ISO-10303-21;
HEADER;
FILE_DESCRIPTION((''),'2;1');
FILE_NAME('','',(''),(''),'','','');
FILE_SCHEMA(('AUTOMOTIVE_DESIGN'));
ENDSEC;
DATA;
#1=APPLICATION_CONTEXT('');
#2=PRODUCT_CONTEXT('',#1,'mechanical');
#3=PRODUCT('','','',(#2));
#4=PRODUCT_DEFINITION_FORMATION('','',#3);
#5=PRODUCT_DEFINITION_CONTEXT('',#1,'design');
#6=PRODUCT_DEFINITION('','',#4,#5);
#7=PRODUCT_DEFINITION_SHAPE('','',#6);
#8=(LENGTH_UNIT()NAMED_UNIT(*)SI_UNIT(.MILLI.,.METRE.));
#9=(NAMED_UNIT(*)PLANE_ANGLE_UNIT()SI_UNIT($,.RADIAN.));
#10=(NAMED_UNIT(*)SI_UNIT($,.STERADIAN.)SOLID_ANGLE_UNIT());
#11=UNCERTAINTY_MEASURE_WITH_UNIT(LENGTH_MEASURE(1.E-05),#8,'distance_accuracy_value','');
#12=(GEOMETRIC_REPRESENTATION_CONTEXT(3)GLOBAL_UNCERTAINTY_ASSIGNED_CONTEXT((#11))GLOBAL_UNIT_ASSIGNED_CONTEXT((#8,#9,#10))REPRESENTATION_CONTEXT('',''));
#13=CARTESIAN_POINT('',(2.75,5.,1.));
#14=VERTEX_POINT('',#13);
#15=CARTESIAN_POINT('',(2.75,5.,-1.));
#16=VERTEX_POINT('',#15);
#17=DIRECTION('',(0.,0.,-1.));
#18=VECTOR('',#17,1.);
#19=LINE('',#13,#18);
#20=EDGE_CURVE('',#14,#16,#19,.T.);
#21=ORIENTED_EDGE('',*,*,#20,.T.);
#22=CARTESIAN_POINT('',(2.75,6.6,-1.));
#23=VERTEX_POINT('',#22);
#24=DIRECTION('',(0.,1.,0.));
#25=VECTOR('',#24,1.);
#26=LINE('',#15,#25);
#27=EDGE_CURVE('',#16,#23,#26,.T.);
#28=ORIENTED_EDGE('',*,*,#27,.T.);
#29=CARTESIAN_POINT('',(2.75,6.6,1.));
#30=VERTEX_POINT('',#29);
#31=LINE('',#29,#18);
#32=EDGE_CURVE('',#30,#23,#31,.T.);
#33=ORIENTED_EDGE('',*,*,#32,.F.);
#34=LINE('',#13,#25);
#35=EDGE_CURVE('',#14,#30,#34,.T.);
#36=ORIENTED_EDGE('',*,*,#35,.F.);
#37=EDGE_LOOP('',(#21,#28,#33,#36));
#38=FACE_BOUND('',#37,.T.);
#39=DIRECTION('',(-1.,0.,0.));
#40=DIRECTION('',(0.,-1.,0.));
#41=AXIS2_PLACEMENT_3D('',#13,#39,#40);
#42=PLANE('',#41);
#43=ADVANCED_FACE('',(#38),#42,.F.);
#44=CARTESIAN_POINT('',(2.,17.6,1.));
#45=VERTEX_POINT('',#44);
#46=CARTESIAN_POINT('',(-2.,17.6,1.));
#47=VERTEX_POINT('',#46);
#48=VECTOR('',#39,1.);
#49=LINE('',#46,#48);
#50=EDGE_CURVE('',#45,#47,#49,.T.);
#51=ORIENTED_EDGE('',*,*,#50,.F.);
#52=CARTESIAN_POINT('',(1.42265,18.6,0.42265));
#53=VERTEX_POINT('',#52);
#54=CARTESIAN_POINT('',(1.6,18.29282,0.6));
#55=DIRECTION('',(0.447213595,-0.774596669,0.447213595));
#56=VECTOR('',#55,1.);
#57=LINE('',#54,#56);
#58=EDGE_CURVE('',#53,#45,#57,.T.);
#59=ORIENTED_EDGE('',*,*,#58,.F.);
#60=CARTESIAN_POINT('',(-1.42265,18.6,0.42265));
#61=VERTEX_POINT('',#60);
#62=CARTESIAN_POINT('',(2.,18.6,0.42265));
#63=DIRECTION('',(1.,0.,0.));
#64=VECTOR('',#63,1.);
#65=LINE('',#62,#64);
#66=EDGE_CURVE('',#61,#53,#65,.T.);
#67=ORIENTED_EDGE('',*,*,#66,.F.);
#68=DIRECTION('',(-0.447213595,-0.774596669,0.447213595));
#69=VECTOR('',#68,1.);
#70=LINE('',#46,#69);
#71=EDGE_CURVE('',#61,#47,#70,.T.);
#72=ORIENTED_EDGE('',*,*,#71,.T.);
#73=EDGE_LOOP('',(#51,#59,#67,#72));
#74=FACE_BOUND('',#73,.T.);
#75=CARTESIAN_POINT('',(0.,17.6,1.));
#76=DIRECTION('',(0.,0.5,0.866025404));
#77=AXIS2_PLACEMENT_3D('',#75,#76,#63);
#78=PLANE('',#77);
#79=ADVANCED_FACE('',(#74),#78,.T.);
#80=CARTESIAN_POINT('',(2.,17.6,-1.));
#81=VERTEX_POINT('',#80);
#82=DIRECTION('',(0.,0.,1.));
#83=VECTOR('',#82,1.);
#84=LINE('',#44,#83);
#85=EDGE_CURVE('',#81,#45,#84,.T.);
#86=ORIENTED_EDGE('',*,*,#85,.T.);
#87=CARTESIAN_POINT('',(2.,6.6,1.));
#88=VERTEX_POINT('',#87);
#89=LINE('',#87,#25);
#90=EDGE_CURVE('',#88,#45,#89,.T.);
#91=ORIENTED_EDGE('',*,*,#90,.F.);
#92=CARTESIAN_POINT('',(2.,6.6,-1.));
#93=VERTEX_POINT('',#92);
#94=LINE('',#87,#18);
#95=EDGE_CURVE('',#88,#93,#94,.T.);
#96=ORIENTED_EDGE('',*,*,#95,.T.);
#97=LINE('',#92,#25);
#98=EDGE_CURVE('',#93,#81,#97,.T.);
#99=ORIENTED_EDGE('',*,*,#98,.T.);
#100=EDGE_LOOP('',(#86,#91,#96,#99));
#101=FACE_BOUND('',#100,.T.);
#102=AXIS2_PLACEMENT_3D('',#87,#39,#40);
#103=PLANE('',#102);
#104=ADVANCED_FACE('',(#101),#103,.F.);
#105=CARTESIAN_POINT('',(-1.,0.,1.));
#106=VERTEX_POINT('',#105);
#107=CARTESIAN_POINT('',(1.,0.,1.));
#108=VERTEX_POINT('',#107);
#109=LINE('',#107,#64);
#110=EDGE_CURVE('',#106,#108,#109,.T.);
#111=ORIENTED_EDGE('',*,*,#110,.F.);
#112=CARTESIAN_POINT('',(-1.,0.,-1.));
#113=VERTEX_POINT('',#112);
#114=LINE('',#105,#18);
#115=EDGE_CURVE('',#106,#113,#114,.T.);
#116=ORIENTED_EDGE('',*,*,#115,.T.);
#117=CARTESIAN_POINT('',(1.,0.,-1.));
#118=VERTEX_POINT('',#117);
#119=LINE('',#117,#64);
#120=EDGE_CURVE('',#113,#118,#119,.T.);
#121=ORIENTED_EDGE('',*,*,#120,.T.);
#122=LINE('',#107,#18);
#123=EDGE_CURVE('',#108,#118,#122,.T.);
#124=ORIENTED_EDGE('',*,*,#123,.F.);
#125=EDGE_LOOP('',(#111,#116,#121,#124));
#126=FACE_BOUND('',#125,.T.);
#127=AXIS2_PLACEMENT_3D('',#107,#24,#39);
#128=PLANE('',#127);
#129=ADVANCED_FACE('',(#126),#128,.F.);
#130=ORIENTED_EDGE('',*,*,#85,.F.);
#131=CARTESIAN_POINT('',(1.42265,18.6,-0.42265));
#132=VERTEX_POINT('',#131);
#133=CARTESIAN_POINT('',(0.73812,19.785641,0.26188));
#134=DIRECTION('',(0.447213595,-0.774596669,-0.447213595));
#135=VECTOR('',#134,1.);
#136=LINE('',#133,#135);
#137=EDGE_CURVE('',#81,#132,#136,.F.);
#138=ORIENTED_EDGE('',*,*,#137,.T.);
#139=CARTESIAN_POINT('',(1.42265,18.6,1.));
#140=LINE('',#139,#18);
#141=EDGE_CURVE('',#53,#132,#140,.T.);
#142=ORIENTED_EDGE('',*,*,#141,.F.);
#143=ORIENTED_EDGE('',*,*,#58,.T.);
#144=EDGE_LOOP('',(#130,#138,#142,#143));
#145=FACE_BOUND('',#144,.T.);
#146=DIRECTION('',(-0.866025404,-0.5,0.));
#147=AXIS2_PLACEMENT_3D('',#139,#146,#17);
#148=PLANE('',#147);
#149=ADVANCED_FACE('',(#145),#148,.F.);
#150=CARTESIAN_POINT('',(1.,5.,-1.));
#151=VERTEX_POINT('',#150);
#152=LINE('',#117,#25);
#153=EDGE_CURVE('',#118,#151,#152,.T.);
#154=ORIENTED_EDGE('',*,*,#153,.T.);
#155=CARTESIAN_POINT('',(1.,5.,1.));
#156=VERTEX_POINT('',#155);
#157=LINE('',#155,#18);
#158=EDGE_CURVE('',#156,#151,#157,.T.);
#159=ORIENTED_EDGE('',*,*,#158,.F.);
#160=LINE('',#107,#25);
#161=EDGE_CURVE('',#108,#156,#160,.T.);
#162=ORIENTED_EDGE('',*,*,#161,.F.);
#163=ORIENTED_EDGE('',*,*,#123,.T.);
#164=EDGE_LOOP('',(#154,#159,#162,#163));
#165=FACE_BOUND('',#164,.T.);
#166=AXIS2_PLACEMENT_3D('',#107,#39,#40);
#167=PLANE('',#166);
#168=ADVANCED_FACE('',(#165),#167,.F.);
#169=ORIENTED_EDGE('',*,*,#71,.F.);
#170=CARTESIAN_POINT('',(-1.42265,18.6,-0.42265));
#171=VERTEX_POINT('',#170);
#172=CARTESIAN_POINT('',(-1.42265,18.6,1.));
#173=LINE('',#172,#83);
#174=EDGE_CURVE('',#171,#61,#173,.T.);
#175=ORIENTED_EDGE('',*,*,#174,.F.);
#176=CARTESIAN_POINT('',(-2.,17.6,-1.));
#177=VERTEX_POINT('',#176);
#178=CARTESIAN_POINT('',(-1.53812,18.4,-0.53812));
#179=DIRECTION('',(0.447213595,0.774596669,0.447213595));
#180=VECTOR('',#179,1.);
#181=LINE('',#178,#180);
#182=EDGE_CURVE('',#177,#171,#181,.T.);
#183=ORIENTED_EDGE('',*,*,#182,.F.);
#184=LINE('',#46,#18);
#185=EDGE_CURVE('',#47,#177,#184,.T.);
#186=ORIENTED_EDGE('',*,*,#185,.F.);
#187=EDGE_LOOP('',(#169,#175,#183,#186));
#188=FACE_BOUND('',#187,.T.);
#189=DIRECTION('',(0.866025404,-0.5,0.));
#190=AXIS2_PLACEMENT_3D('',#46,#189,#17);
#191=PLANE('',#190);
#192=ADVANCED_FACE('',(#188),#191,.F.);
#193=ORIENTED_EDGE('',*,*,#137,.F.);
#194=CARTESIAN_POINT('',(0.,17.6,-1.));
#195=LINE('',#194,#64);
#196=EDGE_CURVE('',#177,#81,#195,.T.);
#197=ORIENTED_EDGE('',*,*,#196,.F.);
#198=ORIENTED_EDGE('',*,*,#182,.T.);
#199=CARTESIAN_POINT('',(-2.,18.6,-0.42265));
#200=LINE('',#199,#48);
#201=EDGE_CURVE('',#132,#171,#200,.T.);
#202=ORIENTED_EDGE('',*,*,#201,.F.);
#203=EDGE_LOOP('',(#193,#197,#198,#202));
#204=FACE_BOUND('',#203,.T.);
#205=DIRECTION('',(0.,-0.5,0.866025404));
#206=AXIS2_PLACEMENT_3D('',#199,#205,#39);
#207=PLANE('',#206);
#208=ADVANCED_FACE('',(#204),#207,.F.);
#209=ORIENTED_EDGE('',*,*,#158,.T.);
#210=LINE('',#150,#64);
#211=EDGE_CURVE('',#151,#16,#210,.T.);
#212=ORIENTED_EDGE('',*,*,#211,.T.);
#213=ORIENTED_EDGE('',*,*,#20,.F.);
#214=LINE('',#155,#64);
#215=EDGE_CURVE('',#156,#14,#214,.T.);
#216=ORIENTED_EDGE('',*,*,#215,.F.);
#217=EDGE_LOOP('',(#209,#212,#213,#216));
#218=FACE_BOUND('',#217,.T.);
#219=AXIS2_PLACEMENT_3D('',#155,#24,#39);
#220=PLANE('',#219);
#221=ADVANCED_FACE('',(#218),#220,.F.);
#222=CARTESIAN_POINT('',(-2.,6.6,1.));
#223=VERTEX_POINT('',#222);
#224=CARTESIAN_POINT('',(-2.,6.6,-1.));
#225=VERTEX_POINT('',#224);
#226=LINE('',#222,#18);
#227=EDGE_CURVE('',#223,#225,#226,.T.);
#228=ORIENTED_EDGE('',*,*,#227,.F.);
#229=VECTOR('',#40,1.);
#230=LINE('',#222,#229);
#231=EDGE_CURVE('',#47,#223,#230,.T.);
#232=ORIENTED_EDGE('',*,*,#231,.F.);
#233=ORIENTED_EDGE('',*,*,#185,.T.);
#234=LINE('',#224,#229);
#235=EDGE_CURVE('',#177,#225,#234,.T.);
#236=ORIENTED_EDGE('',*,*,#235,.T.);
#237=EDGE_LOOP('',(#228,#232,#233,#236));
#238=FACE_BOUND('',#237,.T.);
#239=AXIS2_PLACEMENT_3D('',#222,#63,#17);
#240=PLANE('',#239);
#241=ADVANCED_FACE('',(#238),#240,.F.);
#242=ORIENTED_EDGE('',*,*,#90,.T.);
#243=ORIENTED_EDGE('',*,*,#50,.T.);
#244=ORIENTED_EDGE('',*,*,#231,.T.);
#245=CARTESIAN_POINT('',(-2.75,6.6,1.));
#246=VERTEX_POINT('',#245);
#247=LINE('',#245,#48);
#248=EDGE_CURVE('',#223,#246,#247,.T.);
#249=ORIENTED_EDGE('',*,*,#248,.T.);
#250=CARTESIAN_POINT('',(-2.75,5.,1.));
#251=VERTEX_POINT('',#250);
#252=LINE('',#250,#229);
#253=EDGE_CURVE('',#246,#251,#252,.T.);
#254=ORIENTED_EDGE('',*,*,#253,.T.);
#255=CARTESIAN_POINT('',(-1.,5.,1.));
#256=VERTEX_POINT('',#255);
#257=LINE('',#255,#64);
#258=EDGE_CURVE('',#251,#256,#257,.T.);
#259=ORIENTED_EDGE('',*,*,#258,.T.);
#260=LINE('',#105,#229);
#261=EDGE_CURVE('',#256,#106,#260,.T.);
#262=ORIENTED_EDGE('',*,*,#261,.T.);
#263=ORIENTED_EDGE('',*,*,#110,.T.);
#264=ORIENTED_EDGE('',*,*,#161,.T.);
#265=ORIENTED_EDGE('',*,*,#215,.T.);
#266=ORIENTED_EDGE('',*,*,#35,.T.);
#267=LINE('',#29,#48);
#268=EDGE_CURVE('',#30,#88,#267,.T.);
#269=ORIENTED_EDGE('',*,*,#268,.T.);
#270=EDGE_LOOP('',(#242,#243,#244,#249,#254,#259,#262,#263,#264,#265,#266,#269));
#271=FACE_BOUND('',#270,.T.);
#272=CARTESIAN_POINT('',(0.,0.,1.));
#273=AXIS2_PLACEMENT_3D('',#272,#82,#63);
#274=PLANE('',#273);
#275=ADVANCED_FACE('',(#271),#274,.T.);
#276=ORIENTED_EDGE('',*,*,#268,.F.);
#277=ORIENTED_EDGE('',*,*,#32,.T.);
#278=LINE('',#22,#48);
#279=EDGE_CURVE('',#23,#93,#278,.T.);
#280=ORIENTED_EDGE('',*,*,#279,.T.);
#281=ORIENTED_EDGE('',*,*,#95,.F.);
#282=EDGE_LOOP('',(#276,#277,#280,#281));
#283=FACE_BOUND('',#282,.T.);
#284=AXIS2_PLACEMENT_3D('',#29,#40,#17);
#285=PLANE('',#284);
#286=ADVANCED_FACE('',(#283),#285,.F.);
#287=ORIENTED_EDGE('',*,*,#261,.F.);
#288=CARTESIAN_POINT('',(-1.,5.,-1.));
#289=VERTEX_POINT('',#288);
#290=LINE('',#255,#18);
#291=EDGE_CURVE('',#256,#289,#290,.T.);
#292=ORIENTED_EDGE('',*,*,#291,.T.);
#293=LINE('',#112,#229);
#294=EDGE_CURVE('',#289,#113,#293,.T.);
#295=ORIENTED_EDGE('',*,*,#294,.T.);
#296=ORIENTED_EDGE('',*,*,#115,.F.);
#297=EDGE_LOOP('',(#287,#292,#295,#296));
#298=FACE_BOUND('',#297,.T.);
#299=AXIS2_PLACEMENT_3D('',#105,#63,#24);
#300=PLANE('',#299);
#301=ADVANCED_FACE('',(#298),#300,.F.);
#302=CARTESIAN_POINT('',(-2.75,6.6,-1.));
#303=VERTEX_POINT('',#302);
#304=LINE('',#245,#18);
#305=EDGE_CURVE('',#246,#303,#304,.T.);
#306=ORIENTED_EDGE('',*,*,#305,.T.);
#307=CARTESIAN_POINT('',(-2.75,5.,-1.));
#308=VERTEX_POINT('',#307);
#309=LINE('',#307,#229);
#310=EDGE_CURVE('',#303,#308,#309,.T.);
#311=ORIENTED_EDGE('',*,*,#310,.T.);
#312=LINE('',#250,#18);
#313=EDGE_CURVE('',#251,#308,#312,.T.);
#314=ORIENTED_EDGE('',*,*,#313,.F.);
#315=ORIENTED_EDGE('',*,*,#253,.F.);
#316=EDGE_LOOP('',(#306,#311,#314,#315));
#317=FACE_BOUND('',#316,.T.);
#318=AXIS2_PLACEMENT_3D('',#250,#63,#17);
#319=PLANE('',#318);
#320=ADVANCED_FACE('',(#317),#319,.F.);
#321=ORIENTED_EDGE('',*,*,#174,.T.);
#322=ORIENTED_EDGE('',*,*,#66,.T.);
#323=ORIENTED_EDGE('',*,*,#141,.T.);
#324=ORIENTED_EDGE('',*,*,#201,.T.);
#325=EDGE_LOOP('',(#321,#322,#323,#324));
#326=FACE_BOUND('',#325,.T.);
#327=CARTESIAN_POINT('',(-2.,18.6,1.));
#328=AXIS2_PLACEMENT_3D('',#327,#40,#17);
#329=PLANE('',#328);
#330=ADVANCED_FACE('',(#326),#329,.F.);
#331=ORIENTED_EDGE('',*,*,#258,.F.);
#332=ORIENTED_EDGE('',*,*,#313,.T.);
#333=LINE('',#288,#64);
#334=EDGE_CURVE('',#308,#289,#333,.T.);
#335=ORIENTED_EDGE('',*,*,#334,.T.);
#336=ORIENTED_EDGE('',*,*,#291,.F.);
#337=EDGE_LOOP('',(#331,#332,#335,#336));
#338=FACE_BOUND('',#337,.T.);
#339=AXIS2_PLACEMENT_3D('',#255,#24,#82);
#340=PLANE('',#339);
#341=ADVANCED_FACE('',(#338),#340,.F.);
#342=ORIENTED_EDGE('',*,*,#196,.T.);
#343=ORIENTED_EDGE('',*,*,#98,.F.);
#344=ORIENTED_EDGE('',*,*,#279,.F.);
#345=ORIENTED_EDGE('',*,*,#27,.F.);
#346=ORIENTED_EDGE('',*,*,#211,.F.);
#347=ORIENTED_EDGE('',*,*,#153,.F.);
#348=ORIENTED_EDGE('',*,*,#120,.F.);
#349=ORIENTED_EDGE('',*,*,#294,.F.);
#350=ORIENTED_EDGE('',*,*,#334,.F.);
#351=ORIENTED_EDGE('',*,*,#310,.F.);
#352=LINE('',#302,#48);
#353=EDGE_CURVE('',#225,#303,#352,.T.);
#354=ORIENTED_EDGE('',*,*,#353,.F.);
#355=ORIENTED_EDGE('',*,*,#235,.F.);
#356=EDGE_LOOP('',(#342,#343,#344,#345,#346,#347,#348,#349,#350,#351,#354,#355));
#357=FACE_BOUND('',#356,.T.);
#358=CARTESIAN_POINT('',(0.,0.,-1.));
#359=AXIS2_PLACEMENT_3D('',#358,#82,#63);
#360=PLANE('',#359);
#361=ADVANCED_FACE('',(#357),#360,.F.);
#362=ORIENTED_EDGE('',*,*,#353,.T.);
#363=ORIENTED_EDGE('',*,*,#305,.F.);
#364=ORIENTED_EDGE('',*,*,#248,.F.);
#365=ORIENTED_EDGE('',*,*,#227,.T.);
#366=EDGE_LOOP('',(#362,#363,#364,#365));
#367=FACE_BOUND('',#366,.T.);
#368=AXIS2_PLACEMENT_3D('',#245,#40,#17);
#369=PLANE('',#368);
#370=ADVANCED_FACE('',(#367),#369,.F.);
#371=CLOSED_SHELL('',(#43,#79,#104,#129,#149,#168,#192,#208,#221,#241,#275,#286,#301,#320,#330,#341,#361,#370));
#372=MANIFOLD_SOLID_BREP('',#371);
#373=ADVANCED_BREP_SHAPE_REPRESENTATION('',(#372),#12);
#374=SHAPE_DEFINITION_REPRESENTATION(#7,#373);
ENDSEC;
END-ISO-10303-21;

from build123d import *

# Parameters (mm, degrees)
EXTRUDE_1_DEPTH        = 1
CHAMFER_1_SIZE         = 1
CHAMFER_1_SIZE2        = 0.577350269
CHAMFER_1_PART_2_SIZE  = 1
CHAMFER_1_PART_2_SIZE2 = 0.577350269
CHAMFER_1_PART_3_SIZE  = 1
CHAMFER_1_PART_3_SIZE2 = 0.577350269
CHAMFER_1_PART_4_SIZE  = 1
CHAMFER_1_PART_4_SIZE2 = 0.577350269


with BuildPart() as part:
    # Эскиз1 → Бобышка-Вытянуть1 (new body, symmetric)
    with BuildSketch(Plane.XY):
        Polygon((1, 0), (-1, 0), (-1, 5), (-2.75, 5), (-2.75, 6.6), (-2, 6.6), (-2, 18.6), (2, 18.6), (2, 6.6), (2.75, 6.6), (2.75, 5), (1, 5), align=None)
    extrude(amount=EXTRUDE_1_DEPTH, both=True)

    # Фаска1
    chamfer_1_edges = [part.edges().sort_by_distance(p)[0] for p in [
        (0, 18.6, -1),
    ]]
    chamfer_1_side = [part.faces().sort_by_distance(p)[0] for p in [
        (0, 10.192215569, -1),
    ]]
    chamfer(chamfer_1_edges, length=CHAMFER_1_SIZE, length2=CHAMFER_1_SIZE2, reference=chamfer_1_side[0])

    # Фаска1 part 2
    chamfer_1_part_2_edges = [part.edges().sort_by_distance(p)[0] for p in [
        (-2, 18.6, 0),
    ]]
    chamfer_1_part_2_side = [part.faces().sort_by_distance(p)[0] for p in [
        (-2, 12.6, 0),
    ]]
    chamfer(chamfer_1_part_2_edges, length=CHAMFER_1_PART_2_SIZE, length2=CHAMFER_1_PART_2_SIZE2, reference=chamfer_1_part_2_side[0])

    # Фаска1 part 3
    chamfer_1_part_3_edges = [part.edges().sort_by_distance(p)[0] for p in [
        (2, 18.6, 0),
    ]]
    chamfer_1_part_3_side = [part.faces().sort_by_distance(p)[0] for p in [
        (2, 12.6, 0),
    ]]
    chamfer(chamfer_1_part_3_edges, length=CHAMFER_1_PART_3_SIZE, length2=CHAMFER_1_PART_3_SIZE2, reference=chamfer_1_part_3_side[0])

    # Фаска1 part 4
    chamfer_1_part_4_edges = [part.edges().sort_by_distance(p)[0] for p in [
        (0, 18.6, 1),
    ]]
    chamfer_1_part_4_side = [part.faces().sort_by_distance(p)[0] for p in [
        (0, 10.192215569, 1),
    ]]
    chamfer(chamfer_1_part_4_edges, length=CHAMFER_1_PART_4_SIZE, length2=CHAMFER_1_PART_4_SIZE2, reference=chamfer_1_part_4_side[0])


solid = part.part
